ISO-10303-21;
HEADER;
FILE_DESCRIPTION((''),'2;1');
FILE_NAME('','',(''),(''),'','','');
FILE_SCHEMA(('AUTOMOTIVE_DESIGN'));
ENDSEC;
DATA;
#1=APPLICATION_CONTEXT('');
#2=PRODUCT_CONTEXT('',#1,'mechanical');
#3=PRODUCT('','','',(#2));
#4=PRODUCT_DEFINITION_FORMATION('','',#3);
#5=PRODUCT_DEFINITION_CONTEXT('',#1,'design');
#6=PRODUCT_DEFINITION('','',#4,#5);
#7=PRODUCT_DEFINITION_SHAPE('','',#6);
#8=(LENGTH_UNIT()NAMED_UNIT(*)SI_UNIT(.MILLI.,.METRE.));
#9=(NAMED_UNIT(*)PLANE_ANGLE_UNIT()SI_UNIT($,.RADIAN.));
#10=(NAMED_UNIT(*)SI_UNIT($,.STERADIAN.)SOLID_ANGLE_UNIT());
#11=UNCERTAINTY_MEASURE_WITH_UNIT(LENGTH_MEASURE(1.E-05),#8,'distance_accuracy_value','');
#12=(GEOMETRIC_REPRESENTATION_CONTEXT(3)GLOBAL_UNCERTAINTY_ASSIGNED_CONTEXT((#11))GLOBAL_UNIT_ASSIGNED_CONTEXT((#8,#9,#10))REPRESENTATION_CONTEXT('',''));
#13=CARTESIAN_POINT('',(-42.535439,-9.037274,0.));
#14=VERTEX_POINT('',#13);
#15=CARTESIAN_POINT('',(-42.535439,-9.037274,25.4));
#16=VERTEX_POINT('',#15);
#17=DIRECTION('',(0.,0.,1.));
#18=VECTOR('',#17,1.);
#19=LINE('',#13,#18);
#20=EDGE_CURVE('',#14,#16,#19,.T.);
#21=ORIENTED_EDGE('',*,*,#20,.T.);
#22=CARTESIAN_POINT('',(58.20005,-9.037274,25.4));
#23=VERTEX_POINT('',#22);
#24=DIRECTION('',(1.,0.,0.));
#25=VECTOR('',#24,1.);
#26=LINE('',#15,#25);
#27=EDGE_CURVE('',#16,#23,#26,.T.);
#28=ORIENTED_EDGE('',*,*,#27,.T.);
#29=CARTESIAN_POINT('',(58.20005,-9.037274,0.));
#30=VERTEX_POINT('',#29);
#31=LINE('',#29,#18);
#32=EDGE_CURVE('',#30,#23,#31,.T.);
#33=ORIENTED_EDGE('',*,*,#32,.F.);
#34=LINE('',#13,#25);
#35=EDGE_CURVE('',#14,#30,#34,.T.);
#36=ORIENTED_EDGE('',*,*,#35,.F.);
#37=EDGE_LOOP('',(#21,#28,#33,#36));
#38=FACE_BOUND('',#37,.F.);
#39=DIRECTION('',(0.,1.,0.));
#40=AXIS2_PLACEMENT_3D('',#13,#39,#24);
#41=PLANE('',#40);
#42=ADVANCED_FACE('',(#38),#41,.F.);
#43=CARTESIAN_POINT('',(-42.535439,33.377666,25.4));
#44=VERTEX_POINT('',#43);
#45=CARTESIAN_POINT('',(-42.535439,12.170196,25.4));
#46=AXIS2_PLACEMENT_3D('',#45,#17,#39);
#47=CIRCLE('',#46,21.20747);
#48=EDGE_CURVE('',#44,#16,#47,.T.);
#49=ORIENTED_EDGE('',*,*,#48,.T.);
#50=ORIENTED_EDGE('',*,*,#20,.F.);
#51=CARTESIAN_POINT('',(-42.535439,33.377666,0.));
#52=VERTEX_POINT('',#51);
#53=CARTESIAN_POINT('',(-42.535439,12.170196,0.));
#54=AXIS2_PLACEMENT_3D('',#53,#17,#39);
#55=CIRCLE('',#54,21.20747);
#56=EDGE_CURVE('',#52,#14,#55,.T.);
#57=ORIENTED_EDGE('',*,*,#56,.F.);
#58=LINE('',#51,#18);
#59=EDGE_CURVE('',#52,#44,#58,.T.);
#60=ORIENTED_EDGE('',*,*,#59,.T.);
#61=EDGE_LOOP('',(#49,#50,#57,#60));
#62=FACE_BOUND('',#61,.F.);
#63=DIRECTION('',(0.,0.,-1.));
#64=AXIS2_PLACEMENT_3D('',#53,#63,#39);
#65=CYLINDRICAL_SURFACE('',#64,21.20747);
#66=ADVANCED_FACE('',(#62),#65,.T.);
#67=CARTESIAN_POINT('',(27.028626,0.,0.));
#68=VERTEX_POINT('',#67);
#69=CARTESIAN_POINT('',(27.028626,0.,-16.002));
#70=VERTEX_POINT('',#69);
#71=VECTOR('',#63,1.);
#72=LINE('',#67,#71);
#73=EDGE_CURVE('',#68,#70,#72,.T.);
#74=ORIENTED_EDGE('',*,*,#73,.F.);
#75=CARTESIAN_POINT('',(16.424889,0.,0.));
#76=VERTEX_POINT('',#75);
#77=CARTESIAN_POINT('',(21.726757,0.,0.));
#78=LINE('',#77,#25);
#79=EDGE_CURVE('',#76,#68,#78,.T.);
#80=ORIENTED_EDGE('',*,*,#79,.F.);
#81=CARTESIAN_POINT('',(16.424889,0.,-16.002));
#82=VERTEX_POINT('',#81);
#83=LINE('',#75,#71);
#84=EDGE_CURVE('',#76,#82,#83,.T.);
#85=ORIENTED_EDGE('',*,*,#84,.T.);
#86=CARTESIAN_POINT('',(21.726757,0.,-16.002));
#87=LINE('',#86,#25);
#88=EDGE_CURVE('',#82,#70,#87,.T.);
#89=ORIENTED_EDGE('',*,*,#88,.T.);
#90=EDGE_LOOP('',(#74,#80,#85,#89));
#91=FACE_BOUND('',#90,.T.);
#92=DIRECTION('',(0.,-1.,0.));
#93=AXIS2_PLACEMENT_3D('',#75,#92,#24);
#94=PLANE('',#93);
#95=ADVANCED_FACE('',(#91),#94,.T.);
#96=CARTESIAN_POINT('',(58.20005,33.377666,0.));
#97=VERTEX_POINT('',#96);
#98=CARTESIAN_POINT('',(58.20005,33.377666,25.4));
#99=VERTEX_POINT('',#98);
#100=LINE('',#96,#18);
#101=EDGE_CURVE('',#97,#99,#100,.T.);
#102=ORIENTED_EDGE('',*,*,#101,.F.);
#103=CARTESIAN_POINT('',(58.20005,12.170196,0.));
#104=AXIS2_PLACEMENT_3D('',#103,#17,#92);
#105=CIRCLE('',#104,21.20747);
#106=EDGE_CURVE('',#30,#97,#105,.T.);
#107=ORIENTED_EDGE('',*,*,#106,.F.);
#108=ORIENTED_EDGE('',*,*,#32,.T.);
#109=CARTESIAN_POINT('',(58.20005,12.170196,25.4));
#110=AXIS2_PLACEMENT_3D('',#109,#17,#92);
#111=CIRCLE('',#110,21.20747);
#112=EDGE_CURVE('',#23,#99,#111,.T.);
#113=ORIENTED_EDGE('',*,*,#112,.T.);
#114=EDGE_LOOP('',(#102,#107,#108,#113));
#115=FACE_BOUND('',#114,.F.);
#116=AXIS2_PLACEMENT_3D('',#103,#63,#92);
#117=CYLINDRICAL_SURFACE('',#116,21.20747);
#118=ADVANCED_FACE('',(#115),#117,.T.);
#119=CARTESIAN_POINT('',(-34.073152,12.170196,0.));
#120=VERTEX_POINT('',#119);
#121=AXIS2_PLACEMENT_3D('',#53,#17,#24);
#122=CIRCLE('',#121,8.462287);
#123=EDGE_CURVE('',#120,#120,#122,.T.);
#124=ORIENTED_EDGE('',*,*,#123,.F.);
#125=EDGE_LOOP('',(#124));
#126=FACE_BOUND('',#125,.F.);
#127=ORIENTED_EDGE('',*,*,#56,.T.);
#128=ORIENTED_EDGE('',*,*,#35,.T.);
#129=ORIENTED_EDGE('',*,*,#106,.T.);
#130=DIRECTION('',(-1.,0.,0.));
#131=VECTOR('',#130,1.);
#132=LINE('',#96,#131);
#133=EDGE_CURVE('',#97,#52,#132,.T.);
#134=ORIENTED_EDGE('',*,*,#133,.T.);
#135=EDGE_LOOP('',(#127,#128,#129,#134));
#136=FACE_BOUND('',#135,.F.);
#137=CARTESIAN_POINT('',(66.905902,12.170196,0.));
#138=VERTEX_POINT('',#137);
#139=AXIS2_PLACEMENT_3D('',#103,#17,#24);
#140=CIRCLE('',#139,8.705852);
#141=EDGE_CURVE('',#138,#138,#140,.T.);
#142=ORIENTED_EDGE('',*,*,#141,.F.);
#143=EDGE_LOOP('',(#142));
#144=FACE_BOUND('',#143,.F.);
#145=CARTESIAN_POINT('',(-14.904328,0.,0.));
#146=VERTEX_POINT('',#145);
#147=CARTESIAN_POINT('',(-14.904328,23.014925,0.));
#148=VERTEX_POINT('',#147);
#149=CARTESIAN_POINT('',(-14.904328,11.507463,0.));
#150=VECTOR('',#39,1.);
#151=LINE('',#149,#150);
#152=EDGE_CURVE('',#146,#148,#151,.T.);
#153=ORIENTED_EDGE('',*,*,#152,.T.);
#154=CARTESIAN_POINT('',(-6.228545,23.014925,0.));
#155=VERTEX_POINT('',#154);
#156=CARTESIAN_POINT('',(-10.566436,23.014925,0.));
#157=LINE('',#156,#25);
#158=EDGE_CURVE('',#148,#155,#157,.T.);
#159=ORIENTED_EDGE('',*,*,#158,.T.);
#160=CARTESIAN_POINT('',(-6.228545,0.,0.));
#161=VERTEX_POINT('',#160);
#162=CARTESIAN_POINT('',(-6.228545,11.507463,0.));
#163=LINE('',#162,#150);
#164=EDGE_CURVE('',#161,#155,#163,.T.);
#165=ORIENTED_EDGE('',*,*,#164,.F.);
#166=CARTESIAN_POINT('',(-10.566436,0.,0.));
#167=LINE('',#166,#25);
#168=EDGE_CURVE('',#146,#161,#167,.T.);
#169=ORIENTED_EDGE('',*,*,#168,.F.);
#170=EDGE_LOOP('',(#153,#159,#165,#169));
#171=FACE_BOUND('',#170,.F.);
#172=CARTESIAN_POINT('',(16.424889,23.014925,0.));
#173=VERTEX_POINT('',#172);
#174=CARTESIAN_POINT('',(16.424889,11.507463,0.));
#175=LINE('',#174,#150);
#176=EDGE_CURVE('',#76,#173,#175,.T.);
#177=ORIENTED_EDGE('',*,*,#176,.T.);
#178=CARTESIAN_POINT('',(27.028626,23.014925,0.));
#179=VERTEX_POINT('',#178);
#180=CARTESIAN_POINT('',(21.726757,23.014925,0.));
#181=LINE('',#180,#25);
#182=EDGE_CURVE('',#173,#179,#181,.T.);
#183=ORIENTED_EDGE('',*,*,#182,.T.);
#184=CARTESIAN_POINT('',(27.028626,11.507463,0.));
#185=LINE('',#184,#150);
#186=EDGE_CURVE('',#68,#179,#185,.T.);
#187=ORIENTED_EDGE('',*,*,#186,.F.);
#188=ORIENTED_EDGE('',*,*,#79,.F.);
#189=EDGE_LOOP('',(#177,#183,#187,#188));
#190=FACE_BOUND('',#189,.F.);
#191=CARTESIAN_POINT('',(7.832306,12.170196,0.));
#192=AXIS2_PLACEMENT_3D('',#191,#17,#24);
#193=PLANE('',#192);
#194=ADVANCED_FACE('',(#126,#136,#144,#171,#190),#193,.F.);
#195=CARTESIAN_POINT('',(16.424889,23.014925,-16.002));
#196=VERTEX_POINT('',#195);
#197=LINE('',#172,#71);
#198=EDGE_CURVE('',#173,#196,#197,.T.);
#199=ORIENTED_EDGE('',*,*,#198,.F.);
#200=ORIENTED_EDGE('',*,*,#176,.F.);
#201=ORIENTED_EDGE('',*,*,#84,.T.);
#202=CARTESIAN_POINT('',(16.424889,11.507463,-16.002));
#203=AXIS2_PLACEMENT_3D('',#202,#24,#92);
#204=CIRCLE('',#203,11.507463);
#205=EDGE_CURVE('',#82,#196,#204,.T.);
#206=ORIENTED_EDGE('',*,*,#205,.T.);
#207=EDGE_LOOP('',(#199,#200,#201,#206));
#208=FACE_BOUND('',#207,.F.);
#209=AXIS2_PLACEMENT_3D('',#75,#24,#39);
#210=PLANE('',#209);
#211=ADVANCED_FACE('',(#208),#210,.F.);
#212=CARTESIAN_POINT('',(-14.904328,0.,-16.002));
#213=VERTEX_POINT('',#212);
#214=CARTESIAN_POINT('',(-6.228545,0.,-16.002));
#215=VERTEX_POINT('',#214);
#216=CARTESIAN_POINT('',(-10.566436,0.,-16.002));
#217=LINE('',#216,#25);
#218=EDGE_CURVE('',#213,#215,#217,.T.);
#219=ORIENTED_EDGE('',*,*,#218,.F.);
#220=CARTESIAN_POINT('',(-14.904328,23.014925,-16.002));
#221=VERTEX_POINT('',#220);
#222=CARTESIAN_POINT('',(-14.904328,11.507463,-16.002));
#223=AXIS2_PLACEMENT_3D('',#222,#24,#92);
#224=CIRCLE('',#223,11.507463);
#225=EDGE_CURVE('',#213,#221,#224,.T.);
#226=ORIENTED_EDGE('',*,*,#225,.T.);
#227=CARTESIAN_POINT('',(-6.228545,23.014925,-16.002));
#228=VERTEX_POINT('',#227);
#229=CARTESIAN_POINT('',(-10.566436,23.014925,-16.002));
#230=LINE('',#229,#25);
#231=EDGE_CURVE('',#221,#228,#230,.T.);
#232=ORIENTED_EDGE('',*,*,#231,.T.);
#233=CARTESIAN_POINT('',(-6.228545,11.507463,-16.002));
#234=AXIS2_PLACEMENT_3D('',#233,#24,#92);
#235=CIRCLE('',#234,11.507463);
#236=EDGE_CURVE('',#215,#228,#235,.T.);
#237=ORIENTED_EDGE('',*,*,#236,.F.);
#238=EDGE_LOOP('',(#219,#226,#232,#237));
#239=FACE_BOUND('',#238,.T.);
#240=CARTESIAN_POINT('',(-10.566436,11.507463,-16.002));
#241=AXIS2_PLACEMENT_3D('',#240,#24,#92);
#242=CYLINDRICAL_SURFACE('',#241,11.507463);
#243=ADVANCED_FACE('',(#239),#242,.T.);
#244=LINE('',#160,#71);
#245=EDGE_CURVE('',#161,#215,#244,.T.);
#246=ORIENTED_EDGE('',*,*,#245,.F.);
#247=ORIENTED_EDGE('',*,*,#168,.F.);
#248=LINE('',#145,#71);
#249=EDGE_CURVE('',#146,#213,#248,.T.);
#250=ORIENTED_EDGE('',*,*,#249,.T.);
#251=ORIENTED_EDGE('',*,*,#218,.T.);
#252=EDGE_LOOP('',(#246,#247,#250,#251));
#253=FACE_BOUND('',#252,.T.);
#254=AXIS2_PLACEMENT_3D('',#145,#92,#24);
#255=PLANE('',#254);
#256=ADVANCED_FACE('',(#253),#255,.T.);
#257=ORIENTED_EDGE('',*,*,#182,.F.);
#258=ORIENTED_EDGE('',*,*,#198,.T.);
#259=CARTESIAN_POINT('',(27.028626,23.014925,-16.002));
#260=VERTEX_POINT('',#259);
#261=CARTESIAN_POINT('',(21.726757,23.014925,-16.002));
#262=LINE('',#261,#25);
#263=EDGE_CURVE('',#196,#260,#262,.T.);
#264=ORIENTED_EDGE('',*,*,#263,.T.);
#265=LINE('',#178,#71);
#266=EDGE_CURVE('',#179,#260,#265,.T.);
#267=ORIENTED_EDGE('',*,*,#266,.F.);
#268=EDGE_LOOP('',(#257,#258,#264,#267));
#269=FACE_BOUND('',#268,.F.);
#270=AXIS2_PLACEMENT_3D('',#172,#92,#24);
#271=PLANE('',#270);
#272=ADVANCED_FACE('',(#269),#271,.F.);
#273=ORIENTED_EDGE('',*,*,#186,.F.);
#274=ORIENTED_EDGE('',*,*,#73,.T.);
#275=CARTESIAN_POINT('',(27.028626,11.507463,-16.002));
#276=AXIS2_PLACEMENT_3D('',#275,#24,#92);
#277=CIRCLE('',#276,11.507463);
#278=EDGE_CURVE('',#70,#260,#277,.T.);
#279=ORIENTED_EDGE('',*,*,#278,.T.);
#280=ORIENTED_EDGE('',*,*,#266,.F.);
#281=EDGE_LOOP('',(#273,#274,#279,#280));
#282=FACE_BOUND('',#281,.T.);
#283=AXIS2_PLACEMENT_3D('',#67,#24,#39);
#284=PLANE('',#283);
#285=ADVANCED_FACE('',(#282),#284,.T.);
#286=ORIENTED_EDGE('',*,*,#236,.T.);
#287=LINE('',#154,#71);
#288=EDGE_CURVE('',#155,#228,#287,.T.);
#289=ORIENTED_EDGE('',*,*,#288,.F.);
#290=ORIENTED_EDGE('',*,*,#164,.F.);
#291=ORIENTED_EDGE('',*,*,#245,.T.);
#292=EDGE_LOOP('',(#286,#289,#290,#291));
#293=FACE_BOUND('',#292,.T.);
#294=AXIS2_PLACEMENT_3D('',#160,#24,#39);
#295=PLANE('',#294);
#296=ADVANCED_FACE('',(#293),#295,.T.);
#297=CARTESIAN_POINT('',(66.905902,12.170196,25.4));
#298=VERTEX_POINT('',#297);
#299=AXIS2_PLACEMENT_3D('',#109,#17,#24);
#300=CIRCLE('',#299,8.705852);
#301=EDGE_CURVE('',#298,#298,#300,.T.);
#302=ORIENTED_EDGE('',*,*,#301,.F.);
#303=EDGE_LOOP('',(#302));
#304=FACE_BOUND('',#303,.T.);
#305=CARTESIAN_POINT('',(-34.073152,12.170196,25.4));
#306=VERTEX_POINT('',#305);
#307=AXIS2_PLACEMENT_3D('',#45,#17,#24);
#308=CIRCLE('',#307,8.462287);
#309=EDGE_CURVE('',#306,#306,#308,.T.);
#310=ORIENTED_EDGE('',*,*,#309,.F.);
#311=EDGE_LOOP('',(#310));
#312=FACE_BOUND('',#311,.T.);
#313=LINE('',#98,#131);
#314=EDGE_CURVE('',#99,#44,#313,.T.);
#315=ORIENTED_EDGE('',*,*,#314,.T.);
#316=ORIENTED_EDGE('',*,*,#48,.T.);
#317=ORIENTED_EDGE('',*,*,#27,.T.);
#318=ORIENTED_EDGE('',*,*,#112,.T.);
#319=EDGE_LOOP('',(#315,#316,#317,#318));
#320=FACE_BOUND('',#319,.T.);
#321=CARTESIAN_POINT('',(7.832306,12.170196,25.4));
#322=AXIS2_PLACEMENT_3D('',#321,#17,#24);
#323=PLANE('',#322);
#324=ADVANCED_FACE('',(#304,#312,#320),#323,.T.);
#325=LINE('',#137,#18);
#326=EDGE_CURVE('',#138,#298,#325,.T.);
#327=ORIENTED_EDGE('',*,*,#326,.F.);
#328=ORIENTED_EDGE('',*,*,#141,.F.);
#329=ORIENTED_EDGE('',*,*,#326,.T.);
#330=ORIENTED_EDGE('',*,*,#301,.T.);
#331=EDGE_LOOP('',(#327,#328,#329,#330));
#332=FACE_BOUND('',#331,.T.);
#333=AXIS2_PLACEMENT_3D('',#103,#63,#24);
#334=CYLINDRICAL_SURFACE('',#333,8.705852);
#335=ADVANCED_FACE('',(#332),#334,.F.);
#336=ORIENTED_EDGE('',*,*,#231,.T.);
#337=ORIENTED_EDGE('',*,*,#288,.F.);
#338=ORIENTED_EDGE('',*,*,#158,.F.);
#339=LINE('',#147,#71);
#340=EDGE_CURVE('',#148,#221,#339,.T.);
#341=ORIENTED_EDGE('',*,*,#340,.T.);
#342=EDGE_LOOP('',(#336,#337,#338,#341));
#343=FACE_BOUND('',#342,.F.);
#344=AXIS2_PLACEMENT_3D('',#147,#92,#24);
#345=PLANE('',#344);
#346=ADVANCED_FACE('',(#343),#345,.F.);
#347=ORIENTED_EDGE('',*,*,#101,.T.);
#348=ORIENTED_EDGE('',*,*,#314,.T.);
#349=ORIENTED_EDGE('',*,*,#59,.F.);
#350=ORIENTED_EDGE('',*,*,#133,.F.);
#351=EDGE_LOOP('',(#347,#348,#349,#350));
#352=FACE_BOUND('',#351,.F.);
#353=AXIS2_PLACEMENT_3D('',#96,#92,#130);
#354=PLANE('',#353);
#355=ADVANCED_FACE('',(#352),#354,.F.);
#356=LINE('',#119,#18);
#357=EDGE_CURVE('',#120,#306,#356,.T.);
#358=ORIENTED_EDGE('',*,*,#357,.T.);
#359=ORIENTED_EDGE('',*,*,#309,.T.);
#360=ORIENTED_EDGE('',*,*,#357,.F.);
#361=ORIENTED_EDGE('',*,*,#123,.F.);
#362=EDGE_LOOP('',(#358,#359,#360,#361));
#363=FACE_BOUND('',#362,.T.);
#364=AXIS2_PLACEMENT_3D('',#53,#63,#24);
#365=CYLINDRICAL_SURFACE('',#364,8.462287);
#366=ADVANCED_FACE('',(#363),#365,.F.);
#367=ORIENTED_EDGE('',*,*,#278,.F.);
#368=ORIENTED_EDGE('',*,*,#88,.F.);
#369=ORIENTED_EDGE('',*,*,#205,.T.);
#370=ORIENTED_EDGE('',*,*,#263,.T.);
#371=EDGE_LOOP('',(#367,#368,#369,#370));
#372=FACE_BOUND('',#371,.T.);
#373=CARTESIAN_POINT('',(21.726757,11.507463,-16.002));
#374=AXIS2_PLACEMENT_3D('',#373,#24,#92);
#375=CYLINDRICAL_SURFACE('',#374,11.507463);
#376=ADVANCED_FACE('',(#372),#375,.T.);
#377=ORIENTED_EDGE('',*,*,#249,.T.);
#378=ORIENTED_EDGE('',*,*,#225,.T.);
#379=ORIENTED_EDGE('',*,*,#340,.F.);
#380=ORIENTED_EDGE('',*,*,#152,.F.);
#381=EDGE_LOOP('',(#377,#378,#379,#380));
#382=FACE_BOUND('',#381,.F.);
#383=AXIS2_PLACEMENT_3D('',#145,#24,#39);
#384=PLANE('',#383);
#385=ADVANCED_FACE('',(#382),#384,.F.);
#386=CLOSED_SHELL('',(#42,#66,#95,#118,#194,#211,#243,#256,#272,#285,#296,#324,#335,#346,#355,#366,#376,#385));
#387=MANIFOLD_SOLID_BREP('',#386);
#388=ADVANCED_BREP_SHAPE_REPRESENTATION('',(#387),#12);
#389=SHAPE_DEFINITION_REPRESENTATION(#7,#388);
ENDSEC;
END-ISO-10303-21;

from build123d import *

# Parameters (mm, degrees)
F0_R     = 8.4622870675
F0_R_2   = 8.7058522528
F1_DEPTH = 25.4
F2_W     = 8.6757829413
F2_H     = 23.0149254203
F2_W_2   = 10.6037370861
F3_DEPTH = 16.002
F4_W     = 8.6757829413
F4_H     = 11.5074627101
F6_W     = 10.6037370861
F6_H     = 11.5074627101


with BuildPart() as f1:
    # F0 (on Top) → F1 (new body)
    with BuildSketch(Plane.XY):
        with BuildLine():
            Line((58.2000501454, 33.3776660264), (-42.5354391336, 33.3776660264))
            ThreePointArc((-42.5354391336, 33.3776660264), (-63.7429091148, 12.1701960452), (-42.5354391336, -9.037273936))
            Line((-42.5354391336, -9.037273936), (58.2000501454, -9.037273936))
            ThreePointArc((58.2000501454, -9.037273936), (79.4075201266, 12.1701960452), (58.2000501454, 33.3776660264))
        make_face()
        with Locations((-42.5354391336, 12.1701960452)):
            Circle(F0_R, mode=Mode.SUBTRACT)
        with Locations((58.2000501454, 12.1701960452)):
            Circle(F0_R_2, mode=Mode.SUBTRACT)
    extrude(amount=F1_DEPTH)

    # F2 (on Top) → F3 (join)
    with BuildSketch(Plane.XY):
        with Locations((-10.56643622, 11.5074627101)):
            Rectangle(F2_W, F2_H)
        with Locations((21.726757288, 11.5074627101)):
            Rectangle(F2_W_2, F2_H)
    extrude(amount=-F3_DEPTH)

    # F4 (on face) → F5 (revolve)
    with BuildSketch(Plane(origin=(0, 0, -16.002), x_dir=(1, 0, 0), z_dir=(0, 0, -1))):
        with Locations((-10.56643622, -5.7537313551)):
            Rectangle(F4_W, F4_H)
    revolve(axis=Axis((-10.56643622, 11.5074627101, -16.002), (1, 0, 0)))

    # F6 (on face) → F7 (revolve)
    with BuildSketch(Plane(origin=(0, 0, -16.002), x_dir=(1, 0, 0), z_dir=(0, 0, -1))):
        with Locations((21.726757288, -5.7537313551)):
            Rectangle(F6_W, F6_H)
    revolve(axis=Axis((21.726757288, 11.5074627101, -16.002), (1, 0, 0)))


solid = f1.part
